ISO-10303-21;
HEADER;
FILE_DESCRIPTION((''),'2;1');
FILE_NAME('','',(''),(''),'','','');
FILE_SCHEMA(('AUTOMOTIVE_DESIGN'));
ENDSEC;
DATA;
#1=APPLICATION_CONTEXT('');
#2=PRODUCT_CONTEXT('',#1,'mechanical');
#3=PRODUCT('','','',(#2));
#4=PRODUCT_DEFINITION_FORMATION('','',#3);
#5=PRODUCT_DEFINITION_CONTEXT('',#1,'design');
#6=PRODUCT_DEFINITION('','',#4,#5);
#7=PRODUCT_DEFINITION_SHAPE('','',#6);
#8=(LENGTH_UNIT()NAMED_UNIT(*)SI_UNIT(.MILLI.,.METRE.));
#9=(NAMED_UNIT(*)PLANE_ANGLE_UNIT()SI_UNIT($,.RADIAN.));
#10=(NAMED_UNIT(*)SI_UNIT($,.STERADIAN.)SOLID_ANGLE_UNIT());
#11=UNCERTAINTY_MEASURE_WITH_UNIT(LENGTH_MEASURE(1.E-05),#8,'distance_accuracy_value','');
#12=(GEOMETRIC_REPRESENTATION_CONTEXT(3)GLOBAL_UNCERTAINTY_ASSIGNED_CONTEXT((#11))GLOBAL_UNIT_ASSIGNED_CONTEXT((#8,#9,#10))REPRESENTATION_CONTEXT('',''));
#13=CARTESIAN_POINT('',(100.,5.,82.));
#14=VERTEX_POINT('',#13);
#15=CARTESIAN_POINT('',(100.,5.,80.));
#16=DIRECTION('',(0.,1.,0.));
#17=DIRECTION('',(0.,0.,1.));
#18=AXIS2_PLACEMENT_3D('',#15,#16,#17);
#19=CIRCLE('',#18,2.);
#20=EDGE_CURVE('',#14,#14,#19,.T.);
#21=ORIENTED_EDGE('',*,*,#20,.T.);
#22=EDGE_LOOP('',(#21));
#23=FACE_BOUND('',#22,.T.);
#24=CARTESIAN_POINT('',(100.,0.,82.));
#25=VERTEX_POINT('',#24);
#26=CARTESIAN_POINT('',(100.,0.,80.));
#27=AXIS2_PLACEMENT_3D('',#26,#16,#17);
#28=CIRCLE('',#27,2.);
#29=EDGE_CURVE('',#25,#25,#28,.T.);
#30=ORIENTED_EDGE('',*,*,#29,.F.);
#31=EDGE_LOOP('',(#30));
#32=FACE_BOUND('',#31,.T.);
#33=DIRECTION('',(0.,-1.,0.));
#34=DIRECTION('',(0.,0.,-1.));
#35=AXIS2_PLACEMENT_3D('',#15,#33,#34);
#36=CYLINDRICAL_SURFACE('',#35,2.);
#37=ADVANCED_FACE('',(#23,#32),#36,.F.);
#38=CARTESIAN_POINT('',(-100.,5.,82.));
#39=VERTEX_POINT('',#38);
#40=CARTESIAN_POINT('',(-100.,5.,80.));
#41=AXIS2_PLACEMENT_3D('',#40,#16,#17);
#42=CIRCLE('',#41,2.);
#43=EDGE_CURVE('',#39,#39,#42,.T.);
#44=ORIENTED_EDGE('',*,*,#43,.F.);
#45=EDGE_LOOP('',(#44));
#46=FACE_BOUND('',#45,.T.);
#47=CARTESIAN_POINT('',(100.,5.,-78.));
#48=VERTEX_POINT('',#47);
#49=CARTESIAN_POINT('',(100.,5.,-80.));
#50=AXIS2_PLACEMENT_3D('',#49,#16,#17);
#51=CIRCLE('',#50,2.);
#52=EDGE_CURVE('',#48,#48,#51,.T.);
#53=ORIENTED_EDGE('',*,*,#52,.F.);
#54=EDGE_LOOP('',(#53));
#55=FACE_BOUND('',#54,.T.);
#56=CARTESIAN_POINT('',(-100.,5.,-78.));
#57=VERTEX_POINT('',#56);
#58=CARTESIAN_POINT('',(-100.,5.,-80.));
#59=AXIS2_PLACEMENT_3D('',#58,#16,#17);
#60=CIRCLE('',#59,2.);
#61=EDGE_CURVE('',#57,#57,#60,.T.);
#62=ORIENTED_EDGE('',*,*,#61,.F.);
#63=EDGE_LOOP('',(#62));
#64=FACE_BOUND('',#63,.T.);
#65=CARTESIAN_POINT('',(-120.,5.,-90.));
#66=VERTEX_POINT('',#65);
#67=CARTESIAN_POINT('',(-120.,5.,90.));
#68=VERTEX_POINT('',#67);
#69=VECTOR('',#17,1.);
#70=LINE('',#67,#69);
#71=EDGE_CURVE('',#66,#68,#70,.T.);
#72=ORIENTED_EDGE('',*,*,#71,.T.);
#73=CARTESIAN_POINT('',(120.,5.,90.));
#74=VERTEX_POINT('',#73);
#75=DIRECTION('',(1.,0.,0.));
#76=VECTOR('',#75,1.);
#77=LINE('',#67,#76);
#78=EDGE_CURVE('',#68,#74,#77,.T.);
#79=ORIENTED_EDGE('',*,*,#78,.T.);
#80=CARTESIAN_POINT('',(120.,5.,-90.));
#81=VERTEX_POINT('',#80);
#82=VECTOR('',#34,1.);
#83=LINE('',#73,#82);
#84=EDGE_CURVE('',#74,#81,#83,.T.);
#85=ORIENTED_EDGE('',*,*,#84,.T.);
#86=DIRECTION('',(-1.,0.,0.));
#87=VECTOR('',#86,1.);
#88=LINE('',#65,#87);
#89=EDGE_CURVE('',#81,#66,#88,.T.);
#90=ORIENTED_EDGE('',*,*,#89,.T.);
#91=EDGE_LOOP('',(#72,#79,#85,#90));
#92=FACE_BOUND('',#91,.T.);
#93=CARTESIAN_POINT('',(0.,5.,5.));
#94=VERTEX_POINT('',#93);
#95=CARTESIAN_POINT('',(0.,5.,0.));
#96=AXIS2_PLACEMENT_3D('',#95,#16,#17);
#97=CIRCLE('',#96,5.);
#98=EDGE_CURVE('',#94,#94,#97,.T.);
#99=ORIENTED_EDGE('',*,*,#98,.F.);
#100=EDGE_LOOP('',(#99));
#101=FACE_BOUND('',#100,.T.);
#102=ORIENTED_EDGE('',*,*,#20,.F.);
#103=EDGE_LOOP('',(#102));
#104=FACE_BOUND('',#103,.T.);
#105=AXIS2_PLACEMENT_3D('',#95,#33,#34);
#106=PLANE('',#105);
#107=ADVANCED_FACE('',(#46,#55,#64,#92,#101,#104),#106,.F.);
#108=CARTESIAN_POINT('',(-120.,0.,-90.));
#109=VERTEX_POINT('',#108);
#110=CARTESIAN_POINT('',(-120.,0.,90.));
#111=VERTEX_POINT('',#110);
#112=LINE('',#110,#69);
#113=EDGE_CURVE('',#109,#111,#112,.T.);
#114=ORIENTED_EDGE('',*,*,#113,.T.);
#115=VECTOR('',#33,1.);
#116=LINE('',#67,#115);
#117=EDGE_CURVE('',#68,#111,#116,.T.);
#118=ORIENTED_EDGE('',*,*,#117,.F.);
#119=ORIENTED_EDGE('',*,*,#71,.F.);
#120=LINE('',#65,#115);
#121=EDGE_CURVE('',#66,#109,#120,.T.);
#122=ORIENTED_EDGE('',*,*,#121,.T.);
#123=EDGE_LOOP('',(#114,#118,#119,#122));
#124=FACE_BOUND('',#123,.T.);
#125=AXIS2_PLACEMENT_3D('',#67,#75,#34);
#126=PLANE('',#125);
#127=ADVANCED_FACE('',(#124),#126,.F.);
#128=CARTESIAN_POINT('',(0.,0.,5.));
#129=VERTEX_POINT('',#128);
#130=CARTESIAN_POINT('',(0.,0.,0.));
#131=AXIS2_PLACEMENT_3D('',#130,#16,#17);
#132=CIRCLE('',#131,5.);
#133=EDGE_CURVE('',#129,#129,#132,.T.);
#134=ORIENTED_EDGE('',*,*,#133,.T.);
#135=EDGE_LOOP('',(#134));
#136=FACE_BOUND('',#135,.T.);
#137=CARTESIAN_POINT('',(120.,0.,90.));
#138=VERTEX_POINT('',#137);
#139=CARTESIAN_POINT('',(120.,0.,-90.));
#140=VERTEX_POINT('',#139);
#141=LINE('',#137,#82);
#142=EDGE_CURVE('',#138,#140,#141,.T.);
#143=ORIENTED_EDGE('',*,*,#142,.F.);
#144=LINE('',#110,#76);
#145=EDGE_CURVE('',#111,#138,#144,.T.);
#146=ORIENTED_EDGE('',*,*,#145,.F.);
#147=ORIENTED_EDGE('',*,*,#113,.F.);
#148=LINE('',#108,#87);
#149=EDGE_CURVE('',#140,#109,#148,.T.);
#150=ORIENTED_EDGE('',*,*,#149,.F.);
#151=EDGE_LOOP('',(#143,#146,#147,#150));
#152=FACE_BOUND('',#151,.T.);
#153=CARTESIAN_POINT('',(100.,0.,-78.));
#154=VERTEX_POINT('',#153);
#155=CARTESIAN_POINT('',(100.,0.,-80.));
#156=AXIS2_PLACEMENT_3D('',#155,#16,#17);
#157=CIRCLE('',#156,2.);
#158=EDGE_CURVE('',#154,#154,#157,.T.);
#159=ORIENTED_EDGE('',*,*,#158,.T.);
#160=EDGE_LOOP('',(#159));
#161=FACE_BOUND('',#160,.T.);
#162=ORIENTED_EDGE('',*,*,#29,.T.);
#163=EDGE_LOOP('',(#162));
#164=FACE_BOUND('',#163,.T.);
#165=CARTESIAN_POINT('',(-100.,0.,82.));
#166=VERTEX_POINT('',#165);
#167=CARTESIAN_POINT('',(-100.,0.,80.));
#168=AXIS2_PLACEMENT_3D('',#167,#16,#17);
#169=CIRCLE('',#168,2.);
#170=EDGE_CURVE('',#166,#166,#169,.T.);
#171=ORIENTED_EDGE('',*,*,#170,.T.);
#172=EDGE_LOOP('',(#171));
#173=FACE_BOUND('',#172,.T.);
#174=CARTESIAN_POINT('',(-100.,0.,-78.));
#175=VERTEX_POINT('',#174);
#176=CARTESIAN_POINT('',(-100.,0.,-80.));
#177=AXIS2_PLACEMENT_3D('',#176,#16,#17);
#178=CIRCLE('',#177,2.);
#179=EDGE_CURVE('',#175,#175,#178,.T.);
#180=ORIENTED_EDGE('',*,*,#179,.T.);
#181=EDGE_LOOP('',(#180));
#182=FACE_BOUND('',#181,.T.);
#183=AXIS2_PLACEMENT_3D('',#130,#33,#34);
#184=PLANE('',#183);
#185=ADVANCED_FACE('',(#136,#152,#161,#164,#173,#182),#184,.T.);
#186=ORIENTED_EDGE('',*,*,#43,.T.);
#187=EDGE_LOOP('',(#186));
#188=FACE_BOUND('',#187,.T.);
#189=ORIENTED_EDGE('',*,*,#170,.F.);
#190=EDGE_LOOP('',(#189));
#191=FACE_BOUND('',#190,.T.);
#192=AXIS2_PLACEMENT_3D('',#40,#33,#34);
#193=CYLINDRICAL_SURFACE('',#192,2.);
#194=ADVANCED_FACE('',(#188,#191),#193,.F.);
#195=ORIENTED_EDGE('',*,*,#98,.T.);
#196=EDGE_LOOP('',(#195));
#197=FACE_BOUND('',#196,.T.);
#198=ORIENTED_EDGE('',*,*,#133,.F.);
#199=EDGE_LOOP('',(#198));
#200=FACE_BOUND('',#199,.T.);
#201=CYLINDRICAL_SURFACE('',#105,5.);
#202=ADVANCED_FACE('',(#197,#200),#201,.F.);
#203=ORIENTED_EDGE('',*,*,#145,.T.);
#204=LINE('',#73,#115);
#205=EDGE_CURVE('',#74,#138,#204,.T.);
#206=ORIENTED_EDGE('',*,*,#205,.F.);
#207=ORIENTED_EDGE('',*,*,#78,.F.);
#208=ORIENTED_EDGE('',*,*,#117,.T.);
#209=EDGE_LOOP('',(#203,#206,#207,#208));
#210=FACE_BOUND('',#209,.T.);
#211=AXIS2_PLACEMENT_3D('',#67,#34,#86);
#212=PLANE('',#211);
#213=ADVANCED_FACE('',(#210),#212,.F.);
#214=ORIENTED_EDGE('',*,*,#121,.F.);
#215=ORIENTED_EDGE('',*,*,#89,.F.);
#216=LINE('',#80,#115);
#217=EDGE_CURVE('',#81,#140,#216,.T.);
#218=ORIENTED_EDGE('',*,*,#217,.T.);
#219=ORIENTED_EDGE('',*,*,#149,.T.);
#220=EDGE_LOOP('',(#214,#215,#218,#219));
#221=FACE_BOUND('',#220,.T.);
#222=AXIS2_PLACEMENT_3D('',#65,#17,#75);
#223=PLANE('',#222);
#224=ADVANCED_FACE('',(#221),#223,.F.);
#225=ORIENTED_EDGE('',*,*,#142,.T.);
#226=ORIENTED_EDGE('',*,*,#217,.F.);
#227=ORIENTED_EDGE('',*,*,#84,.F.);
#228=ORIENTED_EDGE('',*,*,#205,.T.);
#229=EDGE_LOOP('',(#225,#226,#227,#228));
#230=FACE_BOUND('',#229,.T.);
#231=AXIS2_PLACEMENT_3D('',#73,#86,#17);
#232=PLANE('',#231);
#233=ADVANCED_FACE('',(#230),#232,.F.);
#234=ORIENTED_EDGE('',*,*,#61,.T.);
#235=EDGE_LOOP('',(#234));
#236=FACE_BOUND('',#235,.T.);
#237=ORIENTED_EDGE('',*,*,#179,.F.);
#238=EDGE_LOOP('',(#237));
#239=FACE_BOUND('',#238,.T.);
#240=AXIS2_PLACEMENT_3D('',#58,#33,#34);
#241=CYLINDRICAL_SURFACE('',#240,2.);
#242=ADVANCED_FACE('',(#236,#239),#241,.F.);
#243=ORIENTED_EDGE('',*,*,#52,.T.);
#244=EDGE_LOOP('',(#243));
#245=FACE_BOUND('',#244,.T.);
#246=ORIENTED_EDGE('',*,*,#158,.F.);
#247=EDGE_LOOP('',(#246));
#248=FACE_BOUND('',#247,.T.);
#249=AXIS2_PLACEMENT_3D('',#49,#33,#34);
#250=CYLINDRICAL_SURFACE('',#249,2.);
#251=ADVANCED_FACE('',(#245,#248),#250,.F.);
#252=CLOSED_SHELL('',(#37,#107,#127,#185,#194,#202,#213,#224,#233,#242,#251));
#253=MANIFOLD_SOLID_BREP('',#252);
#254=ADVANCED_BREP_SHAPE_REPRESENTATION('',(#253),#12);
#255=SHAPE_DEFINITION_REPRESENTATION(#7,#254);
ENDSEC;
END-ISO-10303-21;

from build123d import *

# Parameters (mm, degrees)
SKETCH1_W           = 240
SKETCH1_H           = 180
SKETCH1_R           = 2
SKETCH1_R_2         = 5
BOSS_EXTRUDE1_DEPTH = 5


with BuildPart() as part:
    # Sketch1 → Boss-Extrude1 (new body)
    with BuildSketch(Plane(origin=(0, 0, 0), x_dir=(1, 0, 0), z_dir=(0, 1, 0))):
        Rectangle(SKETCH1_W, SKETCH1_H)
        with Locations(Location((-100, 80, 0), (0, 0, 270))):
            Circle(SKETCH1_R, mode=Mode.SUBTRACT)
        with Locations(Location((100, 80, 0), (0, 0, 270))):
            Circle(SKETCH1_R, mode=Mode.SUBTRACT)
        with Locations(Location((100, -80, 0), (0, 0, 270))):
            Circle(SKETCH1_R, mode=Mode.SUBTRACT)
        with Locations(Location((-100, -80, 0), (0, 0, 270))):
            Circle(SKETCH1_R, mode=Mode.SUBTRACT)
        with Locations(Location((0, 0, 0), (0, 0, 270))):
            Circle(SKETCH1_R_2, mode=Mode.SUBTRACT)
    extrude(amount=BOSS_EXTRUDE1_DEPTH)


solid = part.part
